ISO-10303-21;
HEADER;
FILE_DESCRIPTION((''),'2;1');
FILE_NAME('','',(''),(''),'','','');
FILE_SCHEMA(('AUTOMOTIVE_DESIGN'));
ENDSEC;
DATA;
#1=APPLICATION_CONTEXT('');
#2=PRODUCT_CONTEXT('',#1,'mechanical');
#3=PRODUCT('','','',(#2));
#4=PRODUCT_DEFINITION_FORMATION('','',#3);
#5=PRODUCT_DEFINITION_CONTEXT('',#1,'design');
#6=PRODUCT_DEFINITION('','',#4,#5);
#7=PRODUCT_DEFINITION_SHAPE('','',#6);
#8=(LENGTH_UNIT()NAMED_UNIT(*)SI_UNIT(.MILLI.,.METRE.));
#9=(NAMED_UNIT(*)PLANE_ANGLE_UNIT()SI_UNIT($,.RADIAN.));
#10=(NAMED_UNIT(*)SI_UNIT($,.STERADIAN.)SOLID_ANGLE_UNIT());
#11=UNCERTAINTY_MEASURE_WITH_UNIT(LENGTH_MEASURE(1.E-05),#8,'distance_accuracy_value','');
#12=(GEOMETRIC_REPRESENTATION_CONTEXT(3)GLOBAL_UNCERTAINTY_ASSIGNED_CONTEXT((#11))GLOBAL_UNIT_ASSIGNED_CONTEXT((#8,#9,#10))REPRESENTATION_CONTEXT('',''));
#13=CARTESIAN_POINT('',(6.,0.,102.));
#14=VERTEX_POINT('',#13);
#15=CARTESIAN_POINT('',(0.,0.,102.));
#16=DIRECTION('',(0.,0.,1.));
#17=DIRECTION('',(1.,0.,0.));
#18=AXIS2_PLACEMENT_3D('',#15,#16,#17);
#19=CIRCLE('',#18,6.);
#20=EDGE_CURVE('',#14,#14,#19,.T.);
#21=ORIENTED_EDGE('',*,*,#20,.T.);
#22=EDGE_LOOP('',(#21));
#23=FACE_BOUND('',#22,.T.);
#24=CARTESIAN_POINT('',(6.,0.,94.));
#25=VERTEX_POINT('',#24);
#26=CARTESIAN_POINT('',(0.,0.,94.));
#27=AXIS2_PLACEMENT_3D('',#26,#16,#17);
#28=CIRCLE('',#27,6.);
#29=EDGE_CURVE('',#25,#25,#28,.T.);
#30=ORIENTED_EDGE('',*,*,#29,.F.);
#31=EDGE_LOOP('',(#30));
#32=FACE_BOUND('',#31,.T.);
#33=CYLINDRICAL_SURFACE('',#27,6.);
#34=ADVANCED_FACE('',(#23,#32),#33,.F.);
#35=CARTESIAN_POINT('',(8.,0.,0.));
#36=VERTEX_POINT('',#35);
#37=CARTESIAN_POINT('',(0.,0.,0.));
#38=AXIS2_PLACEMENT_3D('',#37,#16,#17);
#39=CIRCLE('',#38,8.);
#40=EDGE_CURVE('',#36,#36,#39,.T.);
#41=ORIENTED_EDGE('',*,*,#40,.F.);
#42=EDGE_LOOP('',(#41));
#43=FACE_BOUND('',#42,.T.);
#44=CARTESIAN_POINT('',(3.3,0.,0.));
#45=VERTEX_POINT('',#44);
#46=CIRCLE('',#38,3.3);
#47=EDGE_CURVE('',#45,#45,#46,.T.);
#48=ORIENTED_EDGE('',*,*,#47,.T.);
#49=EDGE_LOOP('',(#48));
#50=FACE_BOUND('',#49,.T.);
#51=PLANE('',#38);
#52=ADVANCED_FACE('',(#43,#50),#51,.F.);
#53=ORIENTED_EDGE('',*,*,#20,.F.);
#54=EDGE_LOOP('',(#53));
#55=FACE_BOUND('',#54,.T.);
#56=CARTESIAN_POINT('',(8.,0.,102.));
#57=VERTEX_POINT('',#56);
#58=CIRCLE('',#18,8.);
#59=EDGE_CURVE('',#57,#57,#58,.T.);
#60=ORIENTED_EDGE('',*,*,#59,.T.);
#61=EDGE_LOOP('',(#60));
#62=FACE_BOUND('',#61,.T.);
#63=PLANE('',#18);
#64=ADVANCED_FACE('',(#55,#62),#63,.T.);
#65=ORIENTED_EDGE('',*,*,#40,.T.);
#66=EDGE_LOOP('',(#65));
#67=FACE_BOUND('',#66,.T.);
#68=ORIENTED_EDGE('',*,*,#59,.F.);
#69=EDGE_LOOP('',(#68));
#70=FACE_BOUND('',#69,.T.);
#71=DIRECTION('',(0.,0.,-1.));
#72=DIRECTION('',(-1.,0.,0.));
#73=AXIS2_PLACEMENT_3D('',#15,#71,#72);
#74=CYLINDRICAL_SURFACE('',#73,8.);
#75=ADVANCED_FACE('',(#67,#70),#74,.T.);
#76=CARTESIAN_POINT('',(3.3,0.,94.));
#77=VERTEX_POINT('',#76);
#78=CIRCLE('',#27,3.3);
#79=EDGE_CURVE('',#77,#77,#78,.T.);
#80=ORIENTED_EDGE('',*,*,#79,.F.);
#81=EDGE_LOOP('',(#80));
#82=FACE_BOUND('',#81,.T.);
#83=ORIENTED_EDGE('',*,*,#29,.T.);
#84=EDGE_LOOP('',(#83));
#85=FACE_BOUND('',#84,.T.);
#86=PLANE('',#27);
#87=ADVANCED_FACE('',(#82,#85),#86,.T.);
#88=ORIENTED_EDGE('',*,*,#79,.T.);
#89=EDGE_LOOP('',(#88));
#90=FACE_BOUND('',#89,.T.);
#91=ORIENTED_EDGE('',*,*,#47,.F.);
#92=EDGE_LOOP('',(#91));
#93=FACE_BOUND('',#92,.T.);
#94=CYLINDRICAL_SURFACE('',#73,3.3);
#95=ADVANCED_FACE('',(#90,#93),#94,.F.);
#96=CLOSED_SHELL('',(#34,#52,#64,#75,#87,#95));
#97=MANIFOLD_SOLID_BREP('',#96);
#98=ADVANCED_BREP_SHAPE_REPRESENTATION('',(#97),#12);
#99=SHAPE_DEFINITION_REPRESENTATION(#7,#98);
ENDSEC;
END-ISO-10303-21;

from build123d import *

# Parameters (mm, degrees)
SKETCH1_R                        = 8
SKETCH1_R_2                      = 3.3
FRAME_BENCH_COLUMN_DEPTH         = 102
SKETCH2_R                        = 6
UPPER_NUT_CLEARANCE_POCKET_DEPTH = 8


with BuildPart() as part:
    # Sketch1 → Frame_Bench_Column (new body)
    with BuildSketch(Plane.XY):
        Circle(SKETCH1_R)
        Circle(SKETCH1_R_2, mode=Mode.SUBTRACT)
    extrude(amount=FRAME_BENCH_COLUMN_DEPTH)

    # Sketch2 → Upper_Nut_Clearance_Pocket (cut)
    with BuildSketch(Plane.XY.offset(102)):
        Circle(SKETCH2_R)
    extrude(amount=-UPPER_NUT_CLEARANCE_POCKET_DEPTH, mode=Mode.SUBTRACT)


solid = part.part
